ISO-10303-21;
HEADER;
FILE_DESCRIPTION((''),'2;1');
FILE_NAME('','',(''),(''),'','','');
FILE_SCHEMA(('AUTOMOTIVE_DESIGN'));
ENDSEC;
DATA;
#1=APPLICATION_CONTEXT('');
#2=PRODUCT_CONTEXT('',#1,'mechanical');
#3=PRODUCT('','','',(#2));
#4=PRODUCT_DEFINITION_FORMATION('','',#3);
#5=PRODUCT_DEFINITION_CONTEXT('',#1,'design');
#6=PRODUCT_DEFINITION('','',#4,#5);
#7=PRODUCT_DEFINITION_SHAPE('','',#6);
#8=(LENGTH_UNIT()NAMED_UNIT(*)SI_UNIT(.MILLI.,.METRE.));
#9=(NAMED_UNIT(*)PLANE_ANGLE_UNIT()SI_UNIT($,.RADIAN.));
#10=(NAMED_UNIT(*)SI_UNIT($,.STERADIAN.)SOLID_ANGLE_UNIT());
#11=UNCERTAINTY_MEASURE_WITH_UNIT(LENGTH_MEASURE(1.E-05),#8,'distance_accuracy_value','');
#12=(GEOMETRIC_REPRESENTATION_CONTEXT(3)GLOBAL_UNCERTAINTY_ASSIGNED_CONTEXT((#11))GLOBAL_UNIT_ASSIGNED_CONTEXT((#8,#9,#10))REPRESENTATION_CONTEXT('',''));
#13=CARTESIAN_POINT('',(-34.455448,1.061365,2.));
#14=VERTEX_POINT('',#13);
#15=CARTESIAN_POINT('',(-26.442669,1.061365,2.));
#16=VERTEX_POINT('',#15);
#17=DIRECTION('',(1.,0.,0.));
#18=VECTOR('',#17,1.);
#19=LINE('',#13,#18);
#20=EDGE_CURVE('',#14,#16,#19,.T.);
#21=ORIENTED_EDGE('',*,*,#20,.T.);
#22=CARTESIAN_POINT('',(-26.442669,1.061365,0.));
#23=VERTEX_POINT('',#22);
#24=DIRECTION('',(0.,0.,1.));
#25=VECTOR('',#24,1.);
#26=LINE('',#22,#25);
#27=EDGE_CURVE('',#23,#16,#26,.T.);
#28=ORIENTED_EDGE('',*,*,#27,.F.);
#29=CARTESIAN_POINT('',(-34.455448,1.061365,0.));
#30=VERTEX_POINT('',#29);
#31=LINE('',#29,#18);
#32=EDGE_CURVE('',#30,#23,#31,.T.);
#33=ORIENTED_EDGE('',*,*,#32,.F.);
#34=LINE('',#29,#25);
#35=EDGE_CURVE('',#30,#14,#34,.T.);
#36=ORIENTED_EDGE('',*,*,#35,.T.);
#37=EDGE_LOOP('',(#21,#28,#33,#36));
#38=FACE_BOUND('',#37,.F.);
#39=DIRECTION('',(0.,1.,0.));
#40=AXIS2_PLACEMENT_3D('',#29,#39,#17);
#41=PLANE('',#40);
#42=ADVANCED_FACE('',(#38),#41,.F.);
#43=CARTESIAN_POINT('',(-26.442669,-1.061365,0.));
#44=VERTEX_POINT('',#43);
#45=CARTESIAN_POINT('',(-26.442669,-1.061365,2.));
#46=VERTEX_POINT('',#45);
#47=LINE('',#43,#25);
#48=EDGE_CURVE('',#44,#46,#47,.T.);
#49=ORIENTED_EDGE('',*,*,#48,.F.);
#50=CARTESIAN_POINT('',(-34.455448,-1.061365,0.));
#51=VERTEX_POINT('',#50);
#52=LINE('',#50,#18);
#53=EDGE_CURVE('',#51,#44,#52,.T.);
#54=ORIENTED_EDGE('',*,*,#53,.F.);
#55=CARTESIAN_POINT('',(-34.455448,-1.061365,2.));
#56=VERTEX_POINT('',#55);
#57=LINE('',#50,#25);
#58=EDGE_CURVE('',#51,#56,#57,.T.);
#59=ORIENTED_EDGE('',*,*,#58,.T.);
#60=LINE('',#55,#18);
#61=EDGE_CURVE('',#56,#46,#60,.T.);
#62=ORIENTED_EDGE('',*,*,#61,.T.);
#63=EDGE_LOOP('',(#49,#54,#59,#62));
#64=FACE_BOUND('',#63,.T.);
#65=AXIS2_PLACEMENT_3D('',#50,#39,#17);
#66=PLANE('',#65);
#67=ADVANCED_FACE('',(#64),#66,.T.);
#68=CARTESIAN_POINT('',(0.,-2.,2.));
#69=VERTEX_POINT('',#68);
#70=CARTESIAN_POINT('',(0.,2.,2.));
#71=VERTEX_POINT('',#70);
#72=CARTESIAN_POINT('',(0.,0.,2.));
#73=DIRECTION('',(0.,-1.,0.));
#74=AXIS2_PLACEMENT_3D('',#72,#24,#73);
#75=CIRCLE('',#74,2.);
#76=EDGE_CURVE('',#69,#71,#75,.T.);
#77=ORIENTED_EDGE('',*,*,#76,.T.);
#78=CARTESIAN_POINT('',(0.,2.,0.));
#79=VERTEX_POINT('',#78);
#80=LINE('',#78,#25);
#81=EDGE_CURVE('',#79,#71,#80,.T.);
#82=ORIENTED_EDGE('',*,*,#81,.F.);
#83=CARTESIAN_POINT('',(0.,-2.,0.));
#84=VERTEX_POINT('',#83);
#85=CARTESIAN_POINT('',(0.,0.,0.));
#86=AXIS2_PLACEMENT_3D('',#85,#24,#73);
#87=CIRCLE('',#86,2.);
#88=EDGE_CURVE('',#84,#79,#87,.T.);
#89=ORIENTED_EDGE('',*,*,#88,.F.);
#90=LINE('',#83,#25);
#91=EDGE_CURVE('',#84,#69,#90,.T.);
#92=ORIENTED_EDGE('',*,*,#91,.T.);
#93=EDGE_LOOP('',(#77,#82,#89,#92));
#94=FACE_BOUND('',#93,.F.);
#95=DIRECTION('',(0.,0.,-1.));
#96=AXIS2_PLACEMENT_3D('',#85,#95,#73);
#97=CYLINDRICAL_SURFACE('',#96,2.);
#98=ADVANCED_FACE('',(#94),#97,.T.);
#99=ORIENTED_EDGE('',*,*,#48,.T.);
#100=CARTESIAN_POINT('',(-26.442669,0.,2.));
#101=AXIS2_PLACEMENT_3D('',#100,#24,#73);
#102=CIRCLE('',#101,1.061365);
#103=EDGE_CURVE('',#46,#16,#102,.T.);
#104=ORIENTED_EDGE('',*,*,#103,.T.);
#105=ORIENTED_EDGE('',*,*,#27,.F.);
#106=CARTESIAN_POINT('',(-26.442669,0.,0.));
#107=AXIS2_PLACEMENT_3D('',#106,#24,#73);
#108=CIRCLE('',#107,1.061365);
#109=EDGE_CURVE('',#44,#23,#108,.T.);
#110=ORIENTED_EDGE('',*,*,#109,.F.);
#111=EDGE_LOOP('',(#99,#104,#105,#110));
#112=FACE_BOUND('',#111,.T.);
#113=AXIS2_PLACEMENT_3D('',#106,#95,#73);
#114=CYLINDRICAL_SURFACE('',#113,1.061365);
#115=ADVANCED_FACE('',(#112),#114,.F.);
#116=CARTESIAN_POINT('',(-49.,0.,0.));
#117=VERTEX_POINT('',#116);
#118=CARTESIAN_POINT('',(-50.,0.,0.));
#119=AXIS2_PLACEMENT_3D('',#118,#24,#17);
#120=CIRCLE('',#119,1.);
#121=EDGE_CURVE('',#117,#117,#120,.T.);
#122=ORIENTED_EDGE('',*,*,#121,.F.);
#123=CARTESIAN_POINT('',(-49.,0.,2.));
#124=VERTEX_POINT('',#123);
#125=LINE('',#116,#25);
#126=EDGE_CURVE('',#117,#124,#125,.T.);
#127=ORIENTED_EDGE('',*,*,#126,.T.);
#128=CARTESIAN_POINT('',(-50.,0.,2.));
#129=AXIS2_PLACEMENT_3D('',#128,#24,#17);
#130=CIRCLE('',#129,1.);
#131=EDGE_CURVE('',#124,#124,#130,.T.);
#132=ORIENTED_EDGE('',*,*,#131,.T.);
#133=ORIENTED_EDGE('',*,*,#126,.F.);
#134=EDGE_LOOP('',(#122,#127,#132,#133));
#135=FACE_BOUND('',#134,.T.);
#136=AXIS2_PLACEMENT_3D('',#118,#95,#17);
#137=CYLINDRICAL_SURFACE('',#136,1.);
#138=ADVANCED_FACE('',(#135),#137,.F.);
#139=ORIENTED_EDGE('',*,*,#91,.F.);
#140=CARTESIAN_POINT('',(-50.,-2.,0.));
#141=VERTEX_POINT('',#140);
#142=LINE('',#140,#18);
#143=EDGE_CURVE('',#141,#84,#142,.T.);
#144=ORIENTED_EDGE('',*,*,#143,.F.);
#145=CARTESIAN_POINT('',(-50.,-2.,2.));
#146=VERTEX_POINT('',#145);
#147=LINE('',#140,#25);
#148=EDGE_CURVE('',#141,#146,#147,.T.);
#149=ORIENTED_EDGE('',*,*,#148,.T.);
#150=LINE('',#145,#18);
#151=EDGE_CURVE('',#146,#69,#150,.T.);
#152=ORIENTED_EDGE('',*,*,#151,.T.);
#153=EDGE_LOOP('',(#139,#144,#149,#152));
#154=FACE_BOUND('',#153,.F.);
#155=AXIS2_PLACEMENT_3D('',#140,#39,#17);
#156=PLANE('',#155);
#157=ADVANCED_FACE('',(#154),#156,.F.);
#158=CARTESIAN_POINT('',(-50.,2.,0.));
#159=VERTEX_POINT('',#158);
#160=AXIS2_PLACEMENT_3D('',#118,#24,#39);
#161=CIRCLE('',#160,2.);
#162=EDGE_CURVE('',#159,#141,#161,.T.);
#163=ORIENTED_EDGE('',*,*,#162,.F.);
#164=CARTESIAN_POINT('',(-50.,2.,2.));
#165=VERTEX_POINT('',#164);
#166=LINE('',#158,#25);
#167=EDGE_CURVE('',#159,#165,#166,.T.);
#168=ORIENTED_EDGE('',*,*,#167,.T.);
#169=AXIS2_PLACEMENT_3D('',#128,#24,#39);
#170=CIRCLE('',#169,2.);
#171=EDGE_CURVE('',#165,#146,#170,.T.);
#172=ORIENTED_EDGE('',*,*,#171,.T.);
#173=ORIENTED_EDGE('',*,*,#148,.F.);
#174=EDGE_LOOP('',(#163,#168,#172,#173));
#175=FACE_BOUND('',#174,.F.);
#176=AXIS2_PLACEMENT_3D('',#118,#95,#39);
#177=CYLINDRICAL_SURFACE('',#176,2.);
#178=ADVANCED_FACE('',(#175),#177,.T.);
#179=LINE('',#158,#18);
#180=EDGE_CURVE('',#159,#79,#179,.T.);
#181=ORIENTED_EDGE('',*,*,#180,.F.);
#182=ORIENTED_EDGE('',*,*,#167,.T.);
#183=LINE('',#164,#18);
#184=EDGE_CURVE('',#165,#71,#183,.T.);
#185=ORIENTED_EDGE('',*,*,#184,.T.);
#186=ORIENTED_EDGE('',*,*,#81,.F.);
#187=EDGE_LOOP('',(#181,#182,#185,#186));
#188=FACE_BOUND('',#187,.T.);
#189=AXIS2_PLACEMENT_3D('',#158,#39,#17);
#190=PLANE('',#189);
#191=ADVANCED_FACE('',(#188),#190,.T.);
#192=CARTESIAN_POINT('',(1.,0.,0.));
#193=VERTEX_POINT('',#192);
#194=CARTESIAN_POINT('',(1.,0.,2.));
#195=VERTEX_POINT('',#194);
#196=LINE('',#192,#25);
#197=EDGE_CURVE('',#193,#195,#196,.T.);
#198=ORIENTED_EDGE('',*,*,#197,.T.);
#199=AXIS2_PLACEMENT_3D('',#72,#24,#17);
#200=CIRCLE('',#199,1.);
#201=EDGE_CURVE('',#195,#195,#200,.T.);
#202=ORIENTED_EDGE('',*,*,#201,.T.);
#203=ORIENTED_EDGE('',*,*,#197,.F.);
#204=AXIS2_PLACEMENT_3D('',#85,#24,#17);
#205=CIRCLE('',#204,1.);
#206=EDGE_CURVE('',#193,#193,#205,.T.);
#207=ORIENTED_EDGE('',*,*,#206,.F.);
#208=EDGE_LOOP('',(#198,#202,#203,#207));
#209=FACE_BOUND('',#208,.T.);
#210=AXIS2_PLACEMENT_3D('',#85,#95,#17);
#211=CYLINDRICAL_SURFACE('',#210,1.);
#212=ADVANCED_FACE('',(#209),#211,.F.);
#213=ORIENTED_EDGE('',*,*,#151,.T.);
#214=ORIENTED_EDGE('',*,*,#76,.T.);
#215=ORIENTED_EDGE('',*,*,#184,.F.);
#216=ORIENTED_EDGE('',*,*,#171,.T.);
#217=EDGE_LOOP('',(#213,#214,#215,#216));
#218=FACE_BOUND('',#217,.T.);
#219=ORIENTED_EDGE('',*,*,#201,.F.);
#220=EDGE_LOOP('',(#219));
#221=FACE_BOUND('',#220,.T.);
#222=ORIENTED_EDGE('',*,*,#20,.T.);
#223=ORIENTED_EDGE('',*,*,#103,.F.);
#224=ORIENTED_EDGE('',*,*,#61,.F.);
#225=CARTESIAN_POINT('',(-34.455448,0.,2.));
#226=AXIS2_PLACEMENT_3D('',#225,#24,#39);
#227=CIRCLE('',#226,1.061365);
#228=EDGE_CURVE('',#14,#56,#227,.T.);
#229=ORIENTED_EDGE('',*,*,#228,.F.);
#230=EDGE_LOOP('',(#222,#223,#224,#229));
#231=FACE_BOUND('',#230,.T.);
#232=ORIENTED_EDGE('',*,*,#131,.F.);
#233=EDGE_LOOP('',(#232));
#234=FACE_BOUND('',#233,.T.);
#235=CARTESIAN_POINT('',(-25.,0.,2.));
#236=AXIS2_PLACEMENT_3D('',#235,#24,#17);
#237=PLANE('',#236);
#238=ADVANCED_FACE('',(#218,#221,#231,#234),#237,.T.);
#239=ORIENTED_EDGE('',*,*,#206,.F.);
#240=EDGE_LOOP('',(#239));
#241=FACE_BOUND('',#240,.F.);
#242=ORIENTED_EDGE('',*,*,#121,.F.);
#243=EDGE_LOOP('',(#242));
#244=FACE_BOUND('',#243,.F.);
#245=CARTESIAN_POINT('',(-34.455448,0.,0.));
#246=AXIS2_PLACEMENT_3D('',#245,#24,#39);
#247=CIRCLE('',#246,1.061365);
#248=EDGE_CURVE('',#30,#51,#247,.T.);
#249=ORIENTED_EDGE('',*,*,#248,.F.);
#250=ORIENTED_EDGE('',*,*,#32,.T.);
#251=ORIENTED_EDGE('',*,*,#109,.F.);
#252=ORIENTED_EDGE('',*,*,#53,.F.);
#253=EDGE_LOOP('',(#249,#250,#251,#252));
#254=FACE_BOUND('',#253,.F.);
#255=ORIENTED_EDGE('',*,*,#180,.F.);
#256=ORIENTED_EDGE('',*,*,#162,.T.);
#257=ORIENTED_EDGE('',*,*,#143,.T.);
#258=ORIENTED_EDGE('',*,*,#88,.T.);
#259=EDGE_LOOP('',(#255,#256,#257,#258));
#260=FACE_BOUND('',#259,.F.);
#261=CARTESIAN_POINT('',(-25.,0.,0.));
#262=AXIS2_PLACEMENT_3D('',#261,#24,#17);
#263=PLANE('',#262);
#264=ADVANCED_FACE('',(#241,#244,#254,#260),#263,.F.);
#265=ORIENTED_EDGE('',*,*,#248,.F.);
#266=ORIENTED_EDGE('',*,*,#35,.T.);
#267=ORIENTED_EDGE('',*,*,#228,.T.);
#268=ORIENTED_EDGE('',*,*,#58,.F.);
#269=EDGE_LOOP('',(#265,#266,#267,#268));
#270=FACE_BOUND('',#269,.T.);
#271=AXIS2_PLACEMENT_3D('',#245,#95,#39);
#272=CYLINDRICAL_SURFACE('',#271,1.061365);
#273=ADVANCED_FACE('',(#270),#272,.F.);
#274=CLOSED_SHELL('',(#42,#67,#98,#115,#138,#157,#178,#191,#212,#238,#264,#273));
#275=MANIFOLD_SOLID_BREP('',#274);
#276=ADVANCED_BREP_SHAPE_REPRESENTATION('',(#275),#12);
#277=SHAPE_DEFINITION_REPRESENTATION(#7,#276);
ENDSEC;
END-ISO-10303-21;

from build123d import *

# Parameters (mm, degrees)
SKETCH_R  = 1
PAD_DEPTH = 2


with BuildPart() as part:
    # Sketch → Pad (new body)
    with BuildSketch(Plane.XY):
        with BuildLine():
            ThreePointArc((-50, 2), (-52, 0), (-50, -2))
            Line((-50, -2), (0, -2))
            ThreePointArc((0, -2), (2, 0), (0, 2))
            Line((-50, 2), (0, 2))
        make_face()
        Circle(SKETCH_R, mode=Mode.SUBTRACT)
        with Locations((-50, 0)):
            Circle(SKETCH_R, mode=Mode.SUBTRACT)
        with BuildLine():
            ThreePointArc((-34.455448, 1.061365), (-35.516813, 0), (-34.455448, -1.061365))
            Line((-34.455448, -1.061365), (-26.442669, -1.061365))
            ThreePointArc((-26.442669, -1.061365), (-25.381304, 0), (-26.442669, 1.061365))
            Line((-34.455448, 1.061365), (-26.442669, 1.061365))
        make_face(mode=Mode.SUBTRACT)
    extrude(amount=PAD_DEPTH)


solid = part.part
